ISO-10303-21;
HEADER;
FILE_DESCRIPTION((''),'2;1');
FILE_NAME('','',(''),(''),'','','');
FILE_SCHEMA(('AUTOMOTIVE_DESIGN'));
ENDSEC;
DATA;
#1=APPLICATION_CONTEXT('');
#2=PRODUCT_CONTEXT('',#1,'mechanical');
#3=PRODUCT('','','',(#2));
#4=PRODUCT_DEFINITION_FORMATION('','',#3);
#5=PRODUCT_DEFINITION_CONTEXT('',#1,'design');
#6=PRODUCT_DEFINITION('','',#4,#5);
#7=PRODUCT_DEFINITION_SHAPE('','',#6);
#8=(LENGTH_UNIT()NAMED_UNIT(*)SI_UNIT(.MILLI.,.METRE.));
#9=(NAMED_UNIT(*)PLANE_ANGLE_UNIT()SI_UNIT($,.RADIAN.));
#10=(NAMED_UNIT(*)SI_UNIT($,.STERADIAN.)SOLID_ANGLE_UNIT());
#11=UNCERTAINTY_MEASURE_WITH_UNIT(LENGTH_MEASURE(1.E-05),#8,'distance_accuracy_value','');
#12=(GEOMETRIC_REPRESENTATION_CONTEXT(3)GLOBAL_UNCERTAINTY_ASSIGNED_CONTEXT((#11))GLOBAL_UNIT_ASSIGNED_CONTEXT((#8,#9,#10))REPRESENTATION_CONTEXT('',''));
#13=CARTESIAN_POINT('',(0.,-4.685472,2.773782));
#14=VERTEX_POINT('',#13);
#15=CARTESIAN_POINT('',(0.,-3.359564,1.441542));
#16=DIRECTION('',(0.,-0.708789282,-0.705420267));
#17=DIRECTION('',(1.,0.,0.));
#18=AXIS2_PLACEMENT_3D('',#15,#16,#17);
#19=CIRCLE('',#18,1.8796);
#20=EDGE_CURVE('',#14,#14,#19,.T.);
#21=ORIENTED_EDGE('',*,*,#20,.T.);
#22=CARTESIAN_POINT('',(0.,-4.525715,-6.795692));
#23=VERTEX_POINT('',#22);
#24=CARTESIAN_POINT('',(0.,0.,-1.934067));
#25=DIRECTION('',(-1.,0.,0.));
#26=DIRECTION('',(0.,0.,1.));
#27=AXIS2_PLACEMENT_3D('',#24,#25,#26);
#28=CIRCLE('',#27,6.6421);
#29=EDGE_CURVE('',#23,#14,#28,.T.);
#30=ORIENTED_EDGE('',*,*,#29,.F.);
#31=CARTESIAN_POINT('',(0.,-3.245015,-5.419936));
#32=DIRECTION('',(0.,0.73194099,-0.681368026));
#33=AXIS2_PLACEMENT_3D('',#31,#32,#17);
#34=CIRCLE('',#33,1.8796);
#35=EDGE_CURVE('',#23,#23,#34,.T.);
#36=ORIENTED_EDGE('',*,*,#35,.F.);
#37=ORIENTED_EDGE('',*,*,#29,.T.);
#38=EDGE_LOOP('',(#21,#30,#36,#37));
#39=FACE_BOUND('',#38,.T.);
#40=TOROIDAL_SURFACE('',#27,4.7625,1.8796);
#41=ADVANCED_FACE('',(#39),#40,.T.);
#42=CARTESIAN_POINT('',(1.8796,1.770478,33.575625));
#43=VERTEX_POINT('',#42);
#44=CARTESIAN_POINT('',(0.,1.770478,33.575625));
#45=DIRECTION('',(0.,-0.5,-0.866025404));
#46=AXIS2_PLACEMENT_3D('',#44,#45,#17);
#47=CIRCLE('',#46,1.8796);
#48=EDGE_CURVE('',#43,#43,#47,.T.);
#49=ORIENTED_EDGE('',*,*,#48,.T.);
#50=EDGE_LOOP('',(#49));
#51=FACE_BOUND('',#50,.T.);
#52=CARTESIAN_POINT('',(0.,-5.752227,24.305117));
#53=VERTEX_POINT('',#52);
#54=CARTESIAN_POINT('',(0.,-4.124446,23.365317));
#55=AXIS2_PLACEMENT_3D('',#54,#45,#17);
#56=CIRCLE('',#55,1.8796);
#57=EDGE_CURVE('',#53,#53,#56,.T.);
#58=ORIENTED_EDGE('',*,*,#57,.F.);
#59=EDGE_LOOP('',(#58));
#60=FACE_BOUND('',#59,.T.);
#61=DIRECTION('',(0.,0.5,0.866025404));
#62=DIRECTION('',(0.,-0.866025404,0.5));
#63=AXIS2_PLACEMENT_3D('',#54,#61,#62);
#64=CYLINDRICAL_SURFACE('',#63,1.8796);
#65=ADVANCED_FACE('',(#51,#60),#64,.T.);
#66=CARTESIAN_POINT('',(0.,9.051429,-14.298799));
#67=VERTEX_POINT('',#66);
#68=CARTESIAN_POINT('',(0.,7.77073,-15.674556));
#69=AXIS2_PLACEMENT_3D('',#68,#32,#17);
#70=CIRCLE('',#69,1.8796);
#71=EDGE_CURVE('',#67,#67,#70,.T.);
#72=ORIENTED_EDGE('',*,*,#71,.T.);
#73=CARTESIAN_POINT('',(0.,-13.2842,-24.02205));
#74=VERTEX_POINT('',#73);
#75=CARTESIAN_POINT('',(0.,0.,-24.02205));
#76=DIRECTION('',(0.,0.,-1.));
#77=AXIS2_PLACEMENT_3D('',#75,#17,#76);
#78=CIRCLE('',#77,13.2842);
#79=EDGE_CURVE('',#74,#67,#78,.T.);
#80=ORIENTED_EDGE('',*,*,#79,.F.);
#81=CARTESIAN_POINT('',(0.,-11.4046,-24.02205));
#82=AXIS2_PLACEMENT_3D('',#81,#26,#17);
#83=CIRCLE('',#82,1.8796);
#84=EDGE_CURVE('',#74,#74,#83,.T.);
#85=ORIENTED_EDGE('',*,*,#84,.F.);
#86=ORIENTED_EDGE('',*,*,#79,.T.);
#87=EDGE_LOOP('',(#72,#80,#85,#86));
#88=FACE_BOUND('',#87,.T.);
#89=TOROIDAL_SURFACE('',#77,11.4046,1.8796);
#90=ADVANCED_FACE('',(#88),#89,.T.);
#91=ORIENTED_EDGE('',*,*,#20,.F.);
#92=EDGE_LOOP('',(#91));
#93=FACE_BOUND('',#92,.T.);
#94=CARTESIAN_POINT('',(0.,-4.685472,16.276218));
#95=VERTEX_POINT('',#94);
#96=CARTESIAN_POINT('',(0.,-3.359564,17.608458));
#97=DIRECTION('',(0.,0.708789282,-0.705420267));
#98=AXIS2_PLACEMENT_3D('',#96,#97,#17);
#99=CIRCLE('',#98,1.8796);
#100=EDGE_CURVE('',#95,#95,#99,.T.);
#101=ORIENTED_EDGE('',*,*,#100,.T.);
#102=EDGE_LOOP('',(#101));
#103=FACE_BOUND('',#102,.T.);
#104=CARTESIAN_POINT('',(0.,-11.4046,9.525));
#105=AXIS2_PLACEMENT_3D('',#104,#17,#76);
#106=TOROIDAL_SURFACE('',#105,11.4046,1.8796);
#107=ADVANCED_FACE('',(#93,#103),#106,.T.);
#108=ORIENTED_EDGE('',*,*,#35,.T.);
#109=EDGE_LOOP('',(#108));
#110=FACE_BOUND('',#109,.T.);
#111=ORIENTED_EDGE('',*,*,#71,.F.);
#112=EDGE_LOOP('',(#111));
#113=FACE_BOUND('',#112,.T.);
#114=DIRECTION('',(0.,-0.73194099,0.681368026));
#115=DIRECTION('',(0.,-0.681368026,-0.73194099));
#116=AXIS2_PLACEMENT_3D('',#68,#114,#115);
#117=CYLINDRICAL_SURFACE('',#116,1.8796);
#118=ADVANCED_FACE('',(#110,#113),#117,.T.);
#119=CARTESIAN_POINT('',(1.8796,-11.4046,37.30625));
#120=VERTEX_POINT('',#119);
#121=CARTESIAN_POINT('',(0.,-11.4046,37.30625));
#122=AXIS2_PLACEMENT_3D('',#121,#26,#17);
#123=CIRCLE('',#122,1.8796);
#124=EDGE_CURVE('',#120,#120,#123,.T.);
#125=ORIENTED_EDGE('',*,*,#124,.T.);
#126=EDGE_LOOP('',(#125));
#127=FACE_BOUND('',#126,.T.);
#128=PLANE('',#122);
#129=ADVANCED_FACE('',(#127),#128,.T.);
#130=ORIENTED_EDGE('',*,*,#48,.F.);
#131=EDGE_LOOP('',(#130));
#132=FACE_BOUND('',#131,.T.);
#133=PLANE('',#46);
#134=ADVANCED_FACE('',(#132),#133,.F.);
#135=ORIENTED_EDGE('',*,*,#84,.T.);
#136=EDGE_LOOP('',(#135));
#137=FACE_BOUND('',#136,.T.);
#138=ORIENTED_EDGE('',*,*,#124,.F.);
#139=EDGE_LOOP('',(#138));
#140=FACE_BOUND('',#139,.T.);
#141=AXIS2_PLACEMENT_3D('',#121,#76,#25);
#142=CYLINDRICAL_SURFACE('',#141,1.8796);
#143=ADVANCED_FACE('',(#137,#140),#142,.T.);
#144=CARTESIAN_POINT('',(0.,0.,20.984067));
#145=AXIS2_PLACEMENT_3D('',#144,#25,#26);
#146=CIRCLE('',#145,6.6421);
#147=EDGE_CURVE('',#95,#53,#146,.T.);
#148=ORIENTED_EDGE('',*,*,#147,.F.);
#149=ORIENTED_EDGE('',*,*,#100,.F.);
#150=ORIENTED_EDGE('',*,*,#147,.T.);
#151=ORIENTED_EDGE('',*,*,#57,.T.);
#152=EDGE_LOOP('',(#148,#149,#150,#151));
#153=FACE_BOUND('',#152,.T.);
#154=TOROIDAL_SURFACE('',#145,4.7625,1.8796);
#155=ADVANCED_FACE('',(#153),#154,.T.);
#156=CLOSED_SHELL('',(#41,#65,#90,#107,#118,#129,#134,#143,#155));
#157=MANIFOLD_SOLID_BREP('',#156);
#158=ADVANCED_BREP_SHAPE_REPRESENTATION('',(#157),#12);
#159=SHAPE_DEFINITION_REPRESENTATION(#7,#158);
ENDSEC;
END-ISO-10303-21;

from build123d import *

# Parameters (mm, degrees)
SKETCH2_R = 1.8796


with BuildPart() as part:
    # Sweep1: sweep along a path in Sketch3
    with BuildLine(Plane(origin=(0, 0, 0), x_dir=(0, 0, -1), z_dir=(1, 0, 0))) as sweep1_path:
        Line((-33.575625, 1.770477967), (-23.365317207, -4.124445986))
        ThreePointArc((-23.365317207, -4.124445986), (-20.356812443, -4.721012361), (-17.60845825, -3.359564022))
        ThreePointArc((-17.60845825, -3.359564022), (-9.525, 0), (-1.44154175, -3.359564022))
        ThreePointArc((-1.44154175, -3.359564022), (2.013563586, -4.761836471), (5.419936173, -3.245015223))
        Line((5.419936173, -3.245015223), (15.674555782, 7.770729788))
        ThreePointArc((15.674555782, 7.770729788), (34.478793425, 4.552078439), (24.02205, -11.4046))
        Line((24.02205, -11.4046), (-37.30625, -11.4046))
    # Sketch2 → Sweep1 (sweep)
    with BuildSketch(Plane.XY.offset(37.30625)):
        with Locations((0, -11.4046)):
            Circle(SKETCH2_R)
    sweep(path=sweep1_path.line)


solid = part.part
